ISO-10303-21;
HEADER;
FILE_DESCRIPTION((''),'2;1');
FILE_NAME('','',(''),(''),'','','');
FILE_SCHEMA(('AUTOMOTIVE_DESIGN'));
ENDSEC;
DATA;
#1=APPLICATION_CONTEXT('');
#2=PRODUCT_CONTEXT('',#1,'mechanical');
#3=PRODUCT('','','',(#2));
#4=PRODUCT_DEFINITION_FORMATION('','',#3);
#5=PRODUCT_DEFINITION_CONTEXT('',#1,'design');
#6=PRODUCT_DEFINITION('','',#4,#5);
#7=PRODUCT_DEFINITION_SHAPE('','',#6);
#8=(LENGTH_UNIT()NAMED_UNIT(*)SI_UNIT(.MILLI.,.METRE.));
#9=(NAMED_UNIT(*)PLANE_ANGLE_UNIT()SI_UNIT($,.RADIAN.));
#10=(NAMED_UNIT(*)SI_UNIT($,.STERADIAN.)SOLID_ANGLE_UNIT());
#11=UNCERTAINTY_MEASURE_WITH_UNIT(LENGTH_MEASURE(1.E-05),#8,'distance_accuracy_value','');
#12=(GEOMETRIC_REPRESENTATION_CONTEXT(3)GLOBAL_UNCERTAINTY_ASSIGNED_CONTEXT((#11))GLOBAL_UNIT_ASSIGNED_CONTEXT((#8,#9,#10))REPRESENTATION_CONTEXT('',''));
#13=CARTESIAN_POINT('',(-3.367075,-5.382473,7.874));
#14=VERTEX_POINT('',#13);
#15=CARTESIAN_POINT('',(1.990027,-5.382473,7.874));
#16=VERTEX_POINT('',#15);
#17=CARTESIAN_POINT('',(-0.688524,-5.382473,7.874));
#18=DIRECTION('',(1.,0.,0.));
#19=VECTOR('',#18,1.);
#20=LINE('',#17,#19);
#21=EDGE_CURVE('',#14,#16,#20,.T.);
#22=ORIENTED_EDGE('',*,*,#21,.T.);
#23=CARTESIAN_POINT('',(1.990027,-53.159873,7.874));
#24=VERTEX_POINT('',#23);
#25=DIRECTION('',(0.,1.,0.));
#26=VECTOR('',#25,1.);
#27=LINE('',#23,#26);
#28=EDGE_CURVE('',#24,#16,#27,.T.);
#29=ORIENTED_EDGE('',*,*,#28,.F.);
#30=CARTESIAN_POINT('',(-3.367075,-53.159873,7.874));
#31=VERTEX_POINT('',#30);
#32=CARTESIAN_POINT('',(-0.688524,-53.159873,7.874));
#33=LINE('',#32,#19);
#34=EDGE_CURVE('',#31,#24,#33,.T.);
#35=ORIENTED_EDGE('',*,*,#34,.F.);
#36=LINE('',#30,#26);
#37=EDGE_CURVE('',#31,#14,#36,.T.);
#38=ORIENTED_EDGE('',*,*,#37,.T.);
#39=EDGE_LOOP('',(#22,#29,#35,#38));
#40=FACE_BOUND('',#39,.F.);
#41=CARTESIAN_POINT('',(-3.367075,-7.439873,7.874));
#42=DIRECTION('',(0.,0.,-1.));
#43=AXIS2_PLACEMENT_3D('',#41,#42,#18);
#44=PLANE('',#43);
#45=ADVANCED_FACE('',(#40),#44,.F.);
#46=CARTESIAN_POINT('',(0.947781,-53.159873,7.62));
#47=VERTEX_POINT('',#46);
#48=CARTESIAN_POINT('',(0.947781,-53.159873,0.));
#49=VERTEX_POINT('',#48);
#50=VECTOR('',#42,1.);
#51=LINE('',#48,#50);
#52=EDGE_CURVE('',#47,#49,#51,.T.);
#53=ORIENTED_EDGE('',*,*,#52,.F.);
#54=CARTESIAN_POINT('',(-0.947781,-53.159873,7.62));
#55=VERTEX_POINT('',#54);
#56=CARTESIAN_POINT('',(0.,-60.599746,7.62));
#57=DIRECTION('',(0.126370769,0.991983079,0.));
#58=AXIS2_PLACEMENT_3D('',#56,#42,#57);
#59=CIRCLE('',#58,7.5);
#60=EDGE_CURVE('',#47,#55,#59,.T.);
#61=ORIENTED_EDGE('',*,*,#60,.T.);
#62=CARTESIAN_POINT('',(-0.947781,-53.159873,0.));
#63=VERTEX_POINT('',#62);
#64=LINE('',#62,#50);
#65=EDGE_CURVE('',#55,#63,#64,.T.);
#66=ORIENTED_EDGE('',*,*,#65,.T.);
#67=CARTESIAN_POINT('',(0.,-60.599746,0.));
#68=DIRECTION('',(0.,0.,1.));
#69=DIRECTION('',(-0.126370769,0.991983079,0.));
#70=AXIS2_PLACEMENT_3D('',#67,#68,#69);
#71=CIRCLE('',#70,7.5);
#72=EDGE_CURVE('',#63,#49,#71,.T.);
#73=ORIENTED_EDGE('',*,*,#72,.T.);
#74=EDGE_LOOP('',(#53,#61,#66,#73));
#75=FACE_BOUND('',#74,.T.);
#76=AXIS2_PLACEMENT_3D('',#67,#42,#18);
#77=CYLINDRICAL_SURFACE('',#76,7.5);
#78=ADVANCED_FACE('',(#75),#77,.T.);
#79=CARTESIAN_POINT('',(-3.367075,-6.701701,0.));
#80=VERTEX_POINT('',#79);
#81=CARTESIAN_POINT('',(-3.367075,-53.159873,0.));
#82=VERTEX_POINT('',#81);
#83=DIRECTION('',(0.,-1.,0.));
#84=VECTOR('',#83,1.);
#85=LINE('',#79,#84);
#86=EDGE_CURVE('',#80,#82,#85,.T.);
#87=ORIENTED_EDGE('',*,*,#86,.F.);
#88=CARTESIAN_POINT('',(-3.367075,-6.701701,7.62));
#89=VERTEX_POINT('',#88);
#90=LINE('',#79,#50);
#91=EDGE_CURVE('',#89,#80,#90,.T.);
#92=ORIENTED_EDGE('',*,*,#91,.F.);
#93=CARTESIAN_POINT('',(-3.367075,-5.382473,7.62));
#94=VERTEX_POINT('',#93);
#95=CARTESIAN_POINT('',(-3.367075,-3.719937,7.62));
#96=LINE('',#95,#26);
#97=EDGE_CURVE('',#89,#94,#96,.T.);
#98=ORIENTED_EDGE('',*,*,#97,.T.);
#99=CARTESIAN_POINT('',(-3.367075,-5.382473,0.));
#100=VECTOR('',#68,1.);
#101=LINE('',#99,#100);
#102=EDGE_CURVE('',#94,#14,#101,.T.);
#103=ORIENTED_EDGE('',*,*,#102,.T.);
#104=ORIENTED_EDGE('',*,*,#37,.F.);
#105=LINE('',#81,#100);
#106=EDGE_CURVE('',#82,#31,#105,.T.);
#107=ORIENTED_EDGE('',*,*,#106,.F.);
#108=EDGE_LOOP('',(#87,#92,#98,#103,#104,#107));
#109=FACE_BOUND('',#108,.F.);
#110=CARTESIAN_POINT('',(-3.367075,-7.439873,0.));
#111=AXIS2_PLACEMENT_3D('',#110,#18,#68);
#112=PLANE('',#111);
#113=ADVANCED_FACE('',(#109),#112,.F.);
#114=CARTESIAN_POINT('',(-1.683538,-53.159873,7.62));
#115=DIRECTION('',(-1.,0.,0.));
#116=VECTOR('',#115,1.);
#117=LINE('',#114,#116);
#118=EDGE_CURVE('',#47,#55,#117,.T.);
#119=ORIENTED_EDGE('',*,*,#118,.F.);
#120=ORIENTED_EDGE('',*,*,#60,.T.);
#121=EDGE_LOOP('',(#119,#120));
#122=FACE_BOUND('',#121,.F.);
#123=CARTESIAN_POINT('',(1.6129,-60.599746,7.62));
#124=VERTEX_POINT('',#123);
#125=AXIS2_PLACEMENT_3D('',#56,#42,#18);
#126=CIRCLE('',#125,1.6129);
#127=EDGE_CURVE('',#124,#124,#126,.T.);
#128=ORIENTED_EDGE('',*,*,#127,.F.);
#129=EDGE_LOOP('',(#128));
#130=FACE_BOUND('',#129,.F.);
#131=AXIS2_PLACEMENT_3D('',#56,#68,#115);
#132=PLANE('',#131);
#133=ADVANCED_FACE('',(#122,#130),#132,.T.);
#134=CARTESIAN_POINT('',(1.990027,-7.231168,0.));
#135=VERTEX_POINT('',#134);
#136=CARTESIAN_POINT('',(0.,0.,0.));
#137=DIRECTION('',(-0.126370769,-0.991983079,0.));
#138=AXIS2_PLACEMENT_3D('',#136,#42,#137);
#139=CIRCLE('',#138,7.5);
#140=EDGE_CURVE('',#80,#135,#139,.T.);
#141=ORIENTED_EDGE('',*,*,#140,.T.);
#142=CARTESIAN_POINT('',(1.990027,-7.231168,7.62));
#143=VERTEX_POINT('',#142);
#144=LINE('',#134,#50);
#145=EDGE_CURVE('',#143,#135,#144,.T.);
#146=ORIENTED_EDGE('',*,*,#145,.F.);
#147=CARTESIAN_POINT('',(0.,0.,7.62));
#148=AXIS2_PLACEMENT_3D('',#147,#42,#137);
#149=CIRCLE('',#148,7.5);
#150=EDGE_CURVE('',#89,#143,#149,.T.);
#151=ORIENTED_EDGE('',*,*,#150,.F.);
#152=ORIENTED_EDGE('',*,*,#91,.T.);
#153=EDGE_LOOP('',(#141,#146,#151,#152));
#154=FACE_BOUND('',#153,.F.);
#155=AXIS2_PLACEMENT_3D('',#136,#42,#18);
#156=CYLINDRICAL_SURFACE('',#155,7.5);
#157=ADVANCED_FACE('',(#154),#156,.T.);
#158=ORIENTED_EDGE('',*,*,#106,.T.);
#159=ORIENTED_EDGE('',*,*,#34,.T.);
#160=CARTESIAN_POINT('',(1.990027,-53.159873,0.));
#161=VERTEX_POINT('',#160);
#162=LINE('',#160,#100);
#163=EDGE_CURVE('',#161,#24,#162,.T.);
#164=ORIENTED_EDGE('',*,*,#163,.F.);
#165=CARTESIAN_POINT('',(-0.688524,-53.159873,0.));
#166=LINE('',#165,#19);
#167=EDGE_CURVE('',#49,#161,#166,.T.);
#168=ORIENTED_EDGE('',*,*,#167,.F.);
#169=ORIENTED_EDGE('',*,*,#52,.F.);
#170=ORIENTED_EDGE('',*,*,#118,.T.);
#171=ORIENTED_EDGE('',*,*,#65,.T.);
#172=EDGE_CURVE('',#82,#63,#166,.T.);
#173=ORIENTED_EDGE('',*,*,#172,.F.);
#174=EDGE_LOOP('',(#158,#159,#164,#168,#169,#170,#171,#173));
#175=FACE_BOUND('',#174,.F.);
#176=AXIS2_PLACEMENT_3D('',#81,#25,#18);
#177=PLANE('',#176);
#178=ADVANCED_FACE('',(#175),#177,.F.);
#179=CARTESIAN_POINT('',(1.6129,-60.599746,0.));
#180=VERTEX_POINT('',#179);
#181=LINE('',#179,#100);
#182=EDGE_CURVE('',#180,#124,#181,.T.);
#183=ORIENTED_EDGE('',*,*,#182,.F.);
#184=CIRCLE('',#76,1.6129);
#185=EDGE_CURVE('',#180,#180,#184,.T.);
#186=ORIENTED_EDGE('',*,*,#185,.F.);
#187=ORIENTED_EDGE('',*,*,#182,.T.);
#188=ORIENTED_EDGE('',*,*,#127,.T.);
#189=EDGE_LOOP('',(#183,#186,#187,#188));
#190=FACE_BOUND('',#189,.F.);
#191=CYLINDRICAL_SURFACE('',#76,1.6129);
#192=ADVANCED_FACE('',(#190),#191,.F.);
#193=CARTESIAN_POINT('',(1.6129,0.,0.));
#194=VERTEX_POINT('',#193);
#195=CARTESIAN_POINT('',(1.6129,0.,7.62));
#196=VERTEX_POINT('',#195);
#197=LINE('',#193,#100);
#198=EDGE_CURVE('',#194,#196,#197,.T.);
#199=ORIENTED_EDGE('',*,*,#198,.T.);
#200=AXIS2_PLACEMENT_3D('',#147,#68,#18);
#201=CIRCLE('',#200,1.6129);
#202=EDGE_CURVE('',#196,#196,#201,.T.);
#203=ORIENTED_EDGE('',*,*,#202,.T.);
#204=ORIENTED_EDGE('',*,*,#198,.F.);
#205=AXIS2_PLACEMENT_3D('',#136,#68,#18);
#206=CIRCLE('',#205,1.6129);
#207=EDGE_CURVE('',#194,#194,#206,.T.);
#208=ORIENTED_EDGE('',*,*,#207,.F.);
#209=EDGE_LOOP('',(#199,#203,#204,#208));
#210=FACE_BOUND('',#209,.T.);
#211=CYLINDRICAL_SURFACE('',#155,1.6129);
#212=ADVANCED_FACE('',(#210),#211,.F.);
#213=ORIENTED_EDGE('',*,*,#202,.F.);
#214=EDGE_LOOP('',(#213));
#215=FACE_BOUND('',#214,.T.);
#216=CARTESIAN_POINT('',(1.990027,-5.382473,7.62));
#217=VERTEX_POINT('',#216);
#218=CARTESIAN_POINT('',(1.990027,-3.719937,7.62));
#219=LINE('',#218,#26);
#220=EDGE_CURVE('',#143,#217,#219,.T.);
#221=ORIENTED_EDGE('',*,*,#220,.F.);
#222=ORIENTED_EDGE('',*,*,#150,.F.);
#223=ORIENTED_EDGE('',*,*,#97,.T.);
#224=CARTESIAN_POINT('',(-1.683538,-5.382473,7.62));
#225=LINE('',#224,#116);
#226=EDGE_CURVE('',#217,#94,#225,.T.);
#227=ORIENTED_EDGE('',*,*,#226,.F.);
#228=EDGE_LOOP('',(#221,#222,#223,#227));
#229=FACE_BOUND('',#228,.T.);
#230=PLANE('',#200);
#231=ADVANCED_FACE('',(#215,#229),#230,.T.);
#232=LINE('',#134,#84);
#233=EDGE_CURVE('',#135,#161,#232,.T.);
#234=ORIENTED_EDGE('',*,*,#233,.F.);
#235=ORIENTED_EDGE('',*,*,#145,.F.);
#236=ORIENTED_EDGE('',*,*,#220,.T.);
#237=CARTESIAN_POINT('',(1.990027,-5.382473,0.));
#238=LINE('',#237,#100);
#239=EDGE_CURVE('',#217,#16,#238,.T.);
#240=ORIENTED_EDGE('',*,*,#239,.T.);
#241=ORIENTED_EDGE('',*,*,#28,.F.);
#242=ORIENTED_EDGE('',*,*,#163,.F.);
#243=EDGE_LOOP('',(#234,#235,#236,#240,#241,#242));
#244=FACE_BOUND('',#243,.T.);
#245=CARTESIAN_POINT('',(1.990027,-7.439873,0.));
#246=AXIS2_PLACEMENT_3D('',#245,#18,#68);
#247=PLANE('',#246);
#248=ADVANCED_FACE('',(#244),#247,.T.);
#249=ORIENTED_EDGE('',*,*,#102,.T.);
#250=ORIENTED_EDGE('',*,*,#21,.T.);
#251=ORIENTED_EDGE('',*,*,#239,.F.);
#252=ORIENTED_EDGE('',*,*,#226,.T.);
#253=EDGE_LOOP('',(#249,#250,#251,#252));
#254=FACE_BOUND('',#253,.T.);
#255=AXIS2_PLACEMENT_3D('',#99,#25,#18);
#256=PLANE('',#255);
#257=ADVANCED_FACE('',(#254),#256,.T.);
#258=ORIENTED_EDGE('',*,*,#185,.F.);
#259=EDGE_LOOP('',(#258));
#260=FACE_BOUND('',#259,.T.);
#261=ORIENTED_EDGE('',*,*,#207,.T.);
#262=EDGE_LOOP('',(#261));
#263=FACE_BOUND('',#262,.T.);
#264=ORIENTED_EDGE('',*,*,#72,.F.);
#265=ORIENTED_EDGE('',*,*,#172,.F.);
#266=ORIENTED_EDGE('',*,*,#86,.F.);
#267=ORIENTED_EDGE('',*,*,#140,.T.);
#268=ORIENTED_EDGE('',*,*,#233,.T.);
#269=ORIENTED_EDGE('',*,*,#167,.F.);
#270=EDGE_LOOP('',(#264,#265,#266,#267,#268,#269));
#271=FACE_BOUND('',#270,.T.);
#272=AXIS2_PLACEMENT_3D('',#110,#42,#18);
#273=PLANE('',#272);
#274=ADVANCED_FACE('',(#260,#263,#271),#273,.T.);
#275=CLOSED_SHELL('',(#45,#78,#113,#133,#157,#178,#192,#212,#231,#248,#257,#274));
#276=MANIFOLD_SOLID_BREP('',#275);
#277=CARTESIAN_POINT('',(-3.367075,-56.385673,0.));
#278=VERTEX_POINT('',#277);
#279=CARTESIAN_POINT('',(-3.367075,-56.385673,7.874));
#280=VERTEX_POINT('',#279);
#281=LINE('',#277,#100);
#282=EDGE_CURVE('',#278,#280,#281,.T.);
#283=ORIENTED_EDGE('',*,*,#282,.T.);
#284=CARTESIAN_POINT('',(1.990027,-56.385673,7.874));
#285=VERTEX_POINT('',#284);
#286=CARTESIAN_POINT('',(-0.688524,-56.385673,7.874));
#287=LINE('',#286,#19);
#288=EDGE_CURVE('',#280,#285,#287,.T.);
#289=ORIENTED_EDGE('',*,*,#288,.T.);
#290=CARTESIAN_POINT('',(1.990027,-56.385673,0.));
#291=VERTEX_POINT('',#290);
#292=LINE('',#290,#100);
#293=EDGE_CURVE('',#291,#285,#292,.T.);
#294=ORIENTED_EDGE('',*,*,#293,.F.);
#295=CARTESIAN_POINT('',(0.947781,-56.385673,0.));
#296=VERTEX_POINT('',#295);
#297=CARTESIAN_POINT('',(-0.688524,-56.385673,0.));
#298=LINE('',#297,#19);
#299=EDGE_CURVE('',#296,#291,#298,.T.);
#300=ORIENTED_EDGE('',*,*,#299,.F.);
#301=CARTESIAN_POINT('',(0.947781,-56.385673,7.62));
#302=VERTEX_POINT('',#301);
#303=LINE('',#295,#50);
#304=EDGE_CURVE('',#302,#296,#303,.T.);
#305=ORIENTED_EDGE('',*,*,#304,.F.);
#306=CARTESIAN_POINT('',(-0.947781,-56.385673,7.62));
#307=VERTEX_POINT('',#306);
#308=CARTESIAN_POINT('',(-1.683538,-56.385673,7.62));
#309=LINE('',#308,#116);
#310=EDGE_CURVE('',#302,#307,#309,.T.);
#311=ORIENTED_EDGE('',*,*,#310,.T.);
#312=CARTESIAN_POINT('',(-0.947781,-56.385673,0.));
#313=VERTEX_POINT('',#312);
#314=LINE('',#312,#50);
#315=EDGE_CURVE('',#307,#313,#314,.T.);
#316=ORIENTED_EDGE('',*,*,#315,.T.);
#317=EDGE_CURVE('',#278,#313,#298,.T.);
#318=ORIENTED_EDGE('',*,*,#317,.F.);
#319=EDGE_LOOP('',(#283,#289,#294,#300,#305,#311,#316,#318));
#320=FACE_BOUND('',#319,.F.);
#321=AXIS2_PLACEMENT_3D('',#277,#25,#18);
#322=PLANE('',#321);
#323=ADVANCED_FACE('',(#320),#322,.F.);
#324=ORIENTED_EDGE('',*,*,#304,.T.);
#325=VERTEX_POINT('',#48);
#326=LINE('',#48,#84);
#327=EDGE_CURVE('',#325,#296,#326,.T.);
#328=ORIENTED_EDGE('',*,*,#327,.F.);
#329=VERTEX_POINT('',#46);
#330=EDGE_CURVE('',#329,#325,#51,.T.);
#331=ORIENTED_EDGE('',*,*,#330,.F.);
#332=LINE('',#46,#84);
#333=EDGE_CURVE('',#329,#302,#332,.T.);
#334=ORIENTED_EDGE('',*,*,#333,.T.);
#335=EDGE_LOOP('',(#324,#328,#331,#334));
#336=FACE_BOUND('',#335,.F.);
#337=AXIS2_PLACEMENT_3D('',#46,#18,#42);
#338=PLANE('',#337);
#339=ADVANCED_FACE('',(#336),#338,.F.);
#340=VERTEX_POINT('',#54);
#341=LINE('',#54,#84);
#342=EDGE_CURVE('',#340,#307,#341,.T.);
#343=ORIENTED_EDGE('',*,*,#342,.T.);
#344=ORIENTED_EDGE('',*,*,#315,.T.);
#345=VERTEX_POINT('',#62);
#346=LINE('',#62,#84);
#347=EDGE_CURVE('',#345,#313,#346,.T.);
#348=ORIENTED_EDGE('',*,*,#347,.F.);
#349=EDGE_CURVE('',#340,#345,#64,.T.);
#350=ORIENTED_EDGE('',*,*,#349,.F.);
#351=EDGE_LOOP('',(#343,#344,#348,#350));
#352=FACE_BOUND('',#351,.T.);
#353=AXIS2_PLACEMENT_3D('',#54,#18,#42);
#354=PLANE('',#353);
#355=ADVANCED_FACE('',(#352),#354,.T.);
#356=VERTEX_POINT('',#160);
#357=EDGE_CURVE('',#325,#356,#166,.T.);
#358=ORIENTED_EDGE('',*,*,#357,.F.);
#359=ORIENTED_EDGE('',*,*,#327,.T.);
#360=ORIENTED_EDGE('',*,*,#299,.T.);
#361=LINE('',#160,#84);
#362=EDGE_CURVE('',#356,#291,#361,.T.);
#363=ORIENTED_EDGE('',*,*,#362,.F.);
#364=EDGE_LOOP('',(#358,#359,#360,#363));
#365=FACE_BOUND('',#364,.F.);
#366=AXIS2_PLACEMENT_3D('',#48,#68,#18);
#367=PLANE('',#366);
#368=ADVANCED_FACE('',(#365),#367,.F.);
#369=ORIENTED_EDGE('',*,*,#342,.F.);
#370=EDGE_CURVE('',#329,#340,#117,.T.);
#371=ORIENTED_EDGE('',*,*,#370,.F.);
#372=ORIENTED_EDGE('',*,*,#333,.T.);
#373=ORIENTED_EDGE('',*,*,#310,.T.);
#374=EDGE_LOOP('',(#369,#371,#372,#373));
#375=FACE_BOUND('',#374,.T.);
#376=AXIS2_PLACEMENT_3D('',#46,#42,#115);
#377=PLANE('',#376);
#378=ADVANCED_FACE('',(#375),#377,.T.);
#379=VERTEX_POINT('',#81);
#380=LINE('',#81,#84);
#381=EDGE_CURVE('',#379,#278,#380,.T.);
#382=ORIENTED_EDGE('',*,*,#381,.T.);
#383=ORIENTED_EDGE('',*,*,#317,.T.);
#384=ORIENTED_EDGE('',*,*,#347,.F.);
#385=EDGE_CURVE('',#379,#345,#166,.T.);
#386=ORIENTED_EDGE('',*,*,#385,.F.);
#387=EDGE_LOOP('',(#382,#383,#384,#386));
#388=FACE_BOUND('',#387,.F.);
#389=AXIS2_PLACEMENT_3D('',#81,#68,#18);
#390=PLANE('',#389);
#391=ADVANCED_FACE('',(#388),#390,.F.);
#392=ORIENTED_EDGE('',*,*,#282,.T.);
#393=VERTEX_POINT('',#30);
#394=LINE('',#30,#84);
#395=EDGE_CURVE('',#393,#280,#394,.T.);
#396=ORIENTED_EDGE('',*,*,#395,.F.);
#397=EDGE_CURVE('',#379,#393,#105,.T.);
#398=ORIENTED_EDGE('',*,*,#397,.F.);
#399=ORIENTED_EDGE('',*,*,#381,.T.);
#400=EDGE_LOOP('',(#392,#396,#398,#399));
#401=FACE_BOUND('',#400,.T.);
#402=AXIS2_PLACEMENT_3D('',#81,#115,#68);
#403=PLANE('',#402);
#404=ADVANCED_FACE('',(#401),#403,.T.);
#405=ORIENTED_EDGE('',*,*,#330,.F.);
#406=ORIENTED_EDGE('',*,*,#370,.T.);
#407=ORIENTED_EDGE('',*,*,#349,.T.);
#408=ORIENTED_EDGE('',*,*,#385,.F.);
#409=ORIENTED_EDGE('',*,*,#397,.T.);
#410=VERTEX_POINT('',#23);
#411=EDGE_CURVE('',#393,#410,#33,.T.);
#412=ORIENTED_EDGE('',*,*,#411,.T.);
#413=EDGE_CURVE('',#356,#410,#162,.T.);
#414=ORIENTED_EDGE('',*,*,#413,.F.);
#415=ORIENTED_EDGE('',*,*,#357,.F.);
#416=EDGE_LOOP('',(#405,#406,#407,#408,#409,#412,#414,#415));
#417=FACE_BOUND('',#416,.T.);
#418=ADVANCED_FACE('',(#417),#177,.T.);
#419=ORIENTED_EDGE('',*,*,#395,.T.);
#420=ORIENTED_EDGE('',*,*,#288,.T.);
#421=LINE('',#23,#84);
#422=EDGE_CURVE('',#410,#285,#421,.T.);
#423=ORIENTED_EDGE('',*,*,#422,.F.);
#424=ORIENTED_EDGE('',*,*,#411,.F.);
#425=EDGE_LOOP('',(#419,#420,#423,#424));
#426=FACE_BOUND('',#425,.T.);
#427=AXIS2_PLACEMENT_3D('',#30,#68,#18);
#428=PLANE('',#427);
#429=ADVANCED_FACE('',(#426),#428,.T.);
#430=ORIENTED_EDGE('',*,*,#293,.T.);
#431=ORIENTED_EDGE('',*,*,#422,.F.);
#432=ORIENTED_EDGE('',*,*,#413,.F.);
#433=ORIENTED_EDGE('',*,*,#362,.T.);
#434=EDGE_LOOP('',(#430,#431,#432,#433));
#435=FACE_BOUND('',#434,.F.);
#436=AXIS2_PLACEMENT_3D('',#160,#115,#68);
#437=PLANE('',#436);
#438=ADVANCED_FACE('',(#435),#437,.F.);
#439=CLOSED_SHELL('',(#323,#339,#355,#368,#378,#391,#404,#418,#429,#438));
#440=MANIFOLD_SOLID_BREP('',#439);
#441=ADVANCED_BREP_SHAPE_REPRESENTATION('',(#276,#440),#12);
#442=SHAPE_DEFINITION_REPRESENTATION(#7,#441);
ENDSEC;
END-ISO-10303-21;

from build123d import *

# Parameters (mm, degrees)
F0_R     = 7.5
F0_R_2   = 1.6129
F1_DEPTH = 7.62
F2_W     = 5.3571020449
F2_H     = 45.72
F3_DEPTH = 7.874
F7_DEPTH = 3.2258
F8_DEPTH = 2.0574


with BuildPart() as f1:
    # F0 (on Top) → F1 (new body)
    with BuildSketch(Plane.XY):
        Circle(F0_R)
        Circle(F0_R_2, mode=Mode.SUBTRACT)
    extrude(amount=F1_DEPTH)


with BuildPart() as f3:
    # F2 (on Top) → F3 (new body)
    with BuildSketch(Plane.XY):
        with Locations((-0.6885244511, -30.2998730913)):
            Rectangle(F2_W, F2_H)
    extrude(amount=F3_DEPTH)

    # F6: F1 across plane
    add(f1.part.mirror(Plane.XZ.offset(30.2998730913)))


with BuildPart() as f7:
    # F7 (new): a face of the model
    f7_faces = [f3.part.faces().sort_by_distance(p)[0] for p in [
        (-1.0470686327, -53.1598730913, 4.0031343413),
    ]]
    extrude(f7_faces, amount=F7_DEPTH)


with BuildPart() as f1_1:
    add(f1.part)

    # F8 (add): a face of the model
    f8_faces = [f3.part.faces().sort_by_distance(p)[0] for p in [
        (-0.6885244511, -7.4398730913, 3.937),
    ]]

    add(f3.part)  # F8 merges F3
    extrude(f8_faces, amount=F8_DEPTH)


solid = Compound([f7.part, f1_1.part])
